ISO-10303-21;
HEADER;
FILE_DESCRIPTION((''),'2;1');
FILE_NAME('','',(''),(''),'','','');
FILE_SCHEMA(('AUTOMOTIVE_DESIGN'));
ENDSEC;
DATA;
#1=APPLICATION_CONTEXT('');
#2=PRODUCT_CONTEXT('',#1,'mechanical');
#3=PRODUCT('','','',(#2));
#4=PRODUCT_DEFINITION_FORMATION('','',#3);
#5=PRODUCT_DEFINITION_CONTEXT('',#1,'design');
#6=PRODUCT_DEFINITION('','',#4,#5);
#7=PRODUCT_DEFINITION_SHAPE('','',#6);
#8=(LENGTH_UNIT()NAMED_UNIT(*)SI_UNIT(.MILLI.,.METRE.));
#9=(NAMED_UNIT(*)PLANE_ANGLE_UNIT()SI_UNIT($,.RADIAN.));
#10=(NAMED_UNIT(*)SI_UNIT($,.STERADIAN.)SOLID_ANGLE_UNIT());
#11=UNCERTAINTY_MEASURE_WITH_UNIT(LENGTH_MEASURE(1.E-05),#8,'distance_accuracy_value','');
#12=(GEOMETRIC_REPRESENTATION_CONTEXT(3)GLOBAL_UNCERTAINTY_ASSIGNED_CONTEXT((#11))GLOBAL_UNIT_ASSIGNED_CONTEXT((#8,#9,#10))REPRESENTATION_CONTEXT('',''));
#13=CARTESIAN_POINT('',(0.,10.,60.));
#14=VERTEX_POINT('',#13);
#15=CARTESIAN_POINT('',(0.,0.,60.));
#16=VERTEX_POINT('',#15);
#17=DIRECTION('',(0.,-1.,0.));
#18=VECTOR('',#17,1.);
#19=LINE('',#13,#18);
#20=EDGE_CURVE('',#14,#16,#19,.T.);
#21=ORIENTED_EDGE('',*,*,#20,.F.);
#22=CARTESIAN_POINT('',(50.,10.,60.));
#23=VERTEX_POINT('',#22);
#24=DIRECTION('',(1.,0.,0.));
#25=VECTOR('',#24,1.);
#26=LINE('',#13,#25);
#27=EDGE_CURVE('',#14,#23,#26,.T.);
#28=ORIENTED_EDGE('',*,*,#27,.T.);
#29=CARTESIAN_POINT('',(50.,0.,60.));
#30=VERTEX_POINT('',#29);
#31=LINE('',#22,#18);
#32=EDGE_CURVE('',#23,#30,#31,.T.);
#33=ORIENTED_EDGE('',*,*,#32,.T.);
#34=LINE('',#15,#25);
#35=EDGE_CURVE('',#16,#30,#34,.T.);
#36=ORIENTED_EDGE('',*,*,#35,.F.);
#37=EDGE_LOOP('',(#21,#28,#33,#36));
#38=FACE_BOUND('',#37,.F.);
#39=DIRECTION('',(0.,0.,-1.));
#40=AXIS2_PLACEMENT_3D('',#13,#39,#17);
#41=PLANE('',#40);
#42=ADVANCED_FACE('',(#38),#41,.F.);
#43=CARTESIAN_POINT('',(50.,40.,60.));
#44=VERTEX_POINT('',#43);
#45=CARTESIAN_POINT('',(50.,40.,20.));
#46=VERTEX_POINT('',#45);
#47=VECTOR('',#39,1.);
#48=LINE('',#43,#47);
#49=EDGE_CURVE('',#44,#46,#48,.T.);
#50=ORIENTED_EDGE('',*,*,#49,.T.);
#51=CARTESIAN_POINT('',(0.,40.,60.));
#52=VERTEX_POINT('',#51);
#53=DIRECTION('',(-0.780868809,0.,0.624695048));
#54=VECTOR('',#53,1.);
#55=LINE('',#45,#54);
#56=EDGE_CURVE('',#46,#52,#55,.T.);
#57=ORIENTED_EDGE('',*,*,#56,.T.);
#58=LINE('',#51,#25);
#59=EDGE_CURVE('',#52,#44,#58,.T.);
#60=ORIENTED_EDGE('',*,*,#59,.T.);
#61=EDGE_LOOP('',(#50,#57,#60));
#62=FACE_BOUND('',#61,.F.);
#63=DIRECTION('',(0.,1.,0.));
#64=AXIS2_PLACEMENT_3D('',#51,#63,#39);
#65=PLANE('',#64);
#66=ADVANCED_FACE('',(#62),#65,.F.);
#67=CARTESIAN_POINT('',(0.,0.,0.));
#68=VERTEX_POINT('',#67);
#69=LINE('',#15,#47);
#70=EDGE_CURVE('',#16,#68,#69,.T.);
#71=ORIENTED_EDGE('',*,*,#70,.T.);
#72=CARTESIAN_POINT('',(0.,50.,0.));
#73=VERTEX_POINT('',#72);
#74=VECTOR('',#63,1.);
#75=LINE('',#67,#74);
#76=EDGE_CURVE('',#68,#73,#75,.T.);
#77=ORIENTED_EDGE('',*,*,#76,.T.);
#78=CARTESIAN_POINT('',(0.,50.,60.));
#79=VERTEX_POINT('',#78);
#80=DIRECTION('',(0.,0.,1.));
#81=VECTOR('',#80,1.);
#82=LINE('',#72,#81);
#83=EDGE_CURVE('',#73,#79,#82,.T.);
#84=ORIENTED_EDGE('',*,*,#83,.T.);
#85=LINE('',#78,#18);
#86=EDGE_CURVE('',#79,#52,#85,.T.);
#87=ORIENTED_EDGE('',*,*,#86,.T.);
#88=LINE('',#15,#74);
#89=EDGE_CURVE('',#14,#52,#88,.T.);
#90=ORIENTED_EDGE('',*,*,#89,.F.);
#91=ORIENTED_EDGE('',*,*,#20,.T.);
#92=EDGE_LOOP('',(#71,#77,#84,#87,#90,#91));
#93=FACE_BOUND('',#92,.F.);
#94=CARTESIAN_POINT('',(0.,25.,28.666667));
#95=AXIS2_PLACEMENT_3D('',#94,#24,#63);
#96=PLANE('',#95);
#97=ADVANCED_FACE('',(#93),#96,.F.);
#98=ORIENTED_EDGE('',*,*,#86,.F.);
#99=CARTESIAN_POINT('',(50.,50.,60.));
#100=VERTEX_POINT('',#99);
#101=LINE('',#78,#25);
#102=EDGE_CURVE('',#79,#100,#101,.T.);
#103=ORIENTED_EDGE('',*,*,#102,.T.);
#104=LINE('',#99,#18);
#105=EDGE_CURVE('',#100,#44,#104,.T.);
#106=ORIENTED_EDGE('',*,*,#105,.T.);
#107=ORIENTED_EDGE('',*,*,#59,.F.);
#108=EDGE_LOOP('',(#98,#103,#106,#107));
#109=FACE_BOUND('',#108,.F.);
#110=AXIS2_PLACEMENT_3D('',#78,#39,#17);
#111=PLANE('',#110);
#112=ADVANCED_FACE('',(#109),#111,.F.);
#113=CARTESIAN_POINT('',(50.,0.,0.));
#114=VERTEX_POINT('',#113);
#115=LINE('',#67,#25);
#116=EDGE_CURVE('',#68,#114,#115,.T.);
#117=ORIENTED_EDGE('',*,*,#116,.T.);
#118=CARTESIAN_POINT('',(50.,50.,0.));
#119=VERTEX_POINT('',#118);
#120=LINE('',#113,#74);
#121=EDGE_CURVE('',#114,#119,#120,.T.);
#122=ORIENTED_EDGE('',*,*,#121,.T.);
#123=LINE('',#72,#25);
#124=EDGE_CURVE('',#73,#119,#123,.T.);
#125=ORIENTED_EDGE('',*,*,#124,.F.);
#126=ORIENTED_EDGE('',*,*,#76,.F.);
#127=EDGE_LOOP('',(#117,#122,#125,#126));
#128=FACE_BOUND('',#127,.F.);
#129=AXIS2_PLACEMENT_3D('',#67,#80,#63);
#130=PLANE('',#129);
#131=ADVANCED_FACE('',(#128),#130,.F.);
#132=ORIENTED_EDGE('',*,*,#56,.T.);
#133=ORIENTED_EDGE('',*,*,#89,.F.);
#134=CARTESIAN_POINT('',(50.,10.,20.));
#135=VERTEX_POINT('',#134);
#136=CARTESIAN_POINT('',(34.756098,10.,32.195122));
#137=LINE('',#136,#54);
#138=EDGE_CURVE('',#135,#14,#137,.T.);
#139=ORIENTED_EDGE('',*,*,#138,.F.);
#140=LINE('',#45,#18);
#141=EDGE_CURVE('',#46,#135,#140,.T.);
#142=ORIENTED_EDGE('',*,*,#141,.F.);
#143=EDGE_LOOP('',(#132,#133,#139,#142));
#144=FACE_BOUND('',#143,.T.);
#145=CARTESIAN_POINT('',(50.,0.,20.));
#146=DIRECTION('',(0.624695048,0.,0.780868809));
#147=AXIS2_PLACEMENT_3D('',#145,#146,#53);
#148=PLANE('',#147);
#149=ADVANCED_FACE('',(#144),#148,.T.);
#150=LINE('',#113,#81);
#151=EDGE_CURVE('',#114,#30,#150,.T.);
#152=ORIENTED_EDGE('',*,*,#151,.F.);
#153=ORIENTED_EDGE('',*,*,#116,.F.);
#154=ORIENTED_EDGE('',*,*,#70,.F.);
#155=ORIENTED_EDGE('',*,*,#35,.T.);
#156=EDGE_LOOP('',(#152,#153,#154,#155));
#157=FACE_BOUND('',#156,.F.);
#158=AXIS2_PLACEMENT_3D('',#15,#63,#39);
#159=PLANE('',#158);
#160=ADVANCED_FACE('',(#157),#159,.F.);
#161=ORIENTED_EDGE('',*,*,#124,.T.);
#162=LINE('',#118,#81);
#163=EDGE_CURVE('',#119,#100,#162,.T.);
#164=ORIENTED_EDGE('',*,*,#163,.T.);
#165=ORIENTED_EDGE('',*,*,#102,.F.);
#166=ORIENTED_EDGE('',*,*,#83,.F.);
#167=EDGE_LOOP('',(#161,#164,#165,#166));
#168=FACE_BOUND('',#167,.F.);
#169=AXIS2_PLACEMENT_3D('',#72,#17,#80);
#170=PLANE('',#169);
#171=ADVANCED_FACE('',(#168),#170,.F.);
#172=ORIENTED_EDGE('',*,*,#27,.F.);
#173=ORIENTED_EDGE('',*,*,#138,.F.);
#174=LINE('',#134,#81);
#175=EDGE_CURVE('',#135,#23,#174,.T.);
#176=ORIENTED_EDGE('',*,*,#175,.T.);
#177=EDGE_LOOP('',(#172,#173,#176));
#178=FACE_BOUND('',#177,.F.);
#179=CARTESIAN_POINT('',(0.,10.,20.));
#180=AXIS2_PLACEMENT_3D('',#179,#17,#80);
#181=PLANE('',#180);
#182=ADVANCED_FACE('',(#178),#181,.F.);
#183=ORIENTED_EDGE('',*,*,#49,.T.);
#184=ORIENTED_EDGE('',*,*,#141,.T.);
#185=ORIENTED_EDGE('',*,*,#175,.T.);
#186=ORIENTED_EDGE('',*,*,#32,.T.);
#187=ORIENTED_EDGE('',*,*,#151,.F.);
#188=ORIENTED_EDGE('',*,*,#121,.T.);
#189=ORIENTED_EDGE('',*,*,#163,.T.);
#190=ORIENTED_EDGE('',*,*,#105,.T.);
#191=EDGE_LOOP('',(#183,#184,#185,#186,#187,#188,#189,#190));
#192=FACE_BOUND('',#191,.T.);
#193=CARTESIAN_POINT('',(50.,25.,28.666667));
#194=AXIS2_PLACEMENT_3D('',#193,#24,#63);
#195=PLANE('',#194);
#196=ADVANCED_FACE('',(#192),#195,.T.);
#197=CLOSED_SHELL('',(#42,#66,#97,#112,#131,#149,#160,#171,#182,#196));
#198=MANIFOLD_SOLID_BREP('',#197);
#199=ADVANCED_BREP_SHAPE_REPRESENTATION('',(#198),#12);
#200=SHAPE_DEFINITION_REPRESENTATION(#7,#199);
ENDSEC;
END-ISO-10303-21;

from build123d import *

# Parameters (mm, degrees)
F1_DEPTH = 50
F3_DEPTH = 40


with BuildPart() as f1:
    # F0 (on Right) → F1 (new body)
    with BuildSketch(Plane.YZ):
        Polygon((0, 60), (0, 0), (50, 0), (50, 60), (40, 60), (40, 20), (10, 20), (10, 60), align=None)
    extrude(amount=F1_DEPTH)

    # F2 (on Front) → F3 (join)
    with BuildSketch(Plane.XZ):
        Polygon((50, 20), (0, 60), (0, 20), align=None)
    extrude(amount=-F3_DEPTH)


solid = f1.part
